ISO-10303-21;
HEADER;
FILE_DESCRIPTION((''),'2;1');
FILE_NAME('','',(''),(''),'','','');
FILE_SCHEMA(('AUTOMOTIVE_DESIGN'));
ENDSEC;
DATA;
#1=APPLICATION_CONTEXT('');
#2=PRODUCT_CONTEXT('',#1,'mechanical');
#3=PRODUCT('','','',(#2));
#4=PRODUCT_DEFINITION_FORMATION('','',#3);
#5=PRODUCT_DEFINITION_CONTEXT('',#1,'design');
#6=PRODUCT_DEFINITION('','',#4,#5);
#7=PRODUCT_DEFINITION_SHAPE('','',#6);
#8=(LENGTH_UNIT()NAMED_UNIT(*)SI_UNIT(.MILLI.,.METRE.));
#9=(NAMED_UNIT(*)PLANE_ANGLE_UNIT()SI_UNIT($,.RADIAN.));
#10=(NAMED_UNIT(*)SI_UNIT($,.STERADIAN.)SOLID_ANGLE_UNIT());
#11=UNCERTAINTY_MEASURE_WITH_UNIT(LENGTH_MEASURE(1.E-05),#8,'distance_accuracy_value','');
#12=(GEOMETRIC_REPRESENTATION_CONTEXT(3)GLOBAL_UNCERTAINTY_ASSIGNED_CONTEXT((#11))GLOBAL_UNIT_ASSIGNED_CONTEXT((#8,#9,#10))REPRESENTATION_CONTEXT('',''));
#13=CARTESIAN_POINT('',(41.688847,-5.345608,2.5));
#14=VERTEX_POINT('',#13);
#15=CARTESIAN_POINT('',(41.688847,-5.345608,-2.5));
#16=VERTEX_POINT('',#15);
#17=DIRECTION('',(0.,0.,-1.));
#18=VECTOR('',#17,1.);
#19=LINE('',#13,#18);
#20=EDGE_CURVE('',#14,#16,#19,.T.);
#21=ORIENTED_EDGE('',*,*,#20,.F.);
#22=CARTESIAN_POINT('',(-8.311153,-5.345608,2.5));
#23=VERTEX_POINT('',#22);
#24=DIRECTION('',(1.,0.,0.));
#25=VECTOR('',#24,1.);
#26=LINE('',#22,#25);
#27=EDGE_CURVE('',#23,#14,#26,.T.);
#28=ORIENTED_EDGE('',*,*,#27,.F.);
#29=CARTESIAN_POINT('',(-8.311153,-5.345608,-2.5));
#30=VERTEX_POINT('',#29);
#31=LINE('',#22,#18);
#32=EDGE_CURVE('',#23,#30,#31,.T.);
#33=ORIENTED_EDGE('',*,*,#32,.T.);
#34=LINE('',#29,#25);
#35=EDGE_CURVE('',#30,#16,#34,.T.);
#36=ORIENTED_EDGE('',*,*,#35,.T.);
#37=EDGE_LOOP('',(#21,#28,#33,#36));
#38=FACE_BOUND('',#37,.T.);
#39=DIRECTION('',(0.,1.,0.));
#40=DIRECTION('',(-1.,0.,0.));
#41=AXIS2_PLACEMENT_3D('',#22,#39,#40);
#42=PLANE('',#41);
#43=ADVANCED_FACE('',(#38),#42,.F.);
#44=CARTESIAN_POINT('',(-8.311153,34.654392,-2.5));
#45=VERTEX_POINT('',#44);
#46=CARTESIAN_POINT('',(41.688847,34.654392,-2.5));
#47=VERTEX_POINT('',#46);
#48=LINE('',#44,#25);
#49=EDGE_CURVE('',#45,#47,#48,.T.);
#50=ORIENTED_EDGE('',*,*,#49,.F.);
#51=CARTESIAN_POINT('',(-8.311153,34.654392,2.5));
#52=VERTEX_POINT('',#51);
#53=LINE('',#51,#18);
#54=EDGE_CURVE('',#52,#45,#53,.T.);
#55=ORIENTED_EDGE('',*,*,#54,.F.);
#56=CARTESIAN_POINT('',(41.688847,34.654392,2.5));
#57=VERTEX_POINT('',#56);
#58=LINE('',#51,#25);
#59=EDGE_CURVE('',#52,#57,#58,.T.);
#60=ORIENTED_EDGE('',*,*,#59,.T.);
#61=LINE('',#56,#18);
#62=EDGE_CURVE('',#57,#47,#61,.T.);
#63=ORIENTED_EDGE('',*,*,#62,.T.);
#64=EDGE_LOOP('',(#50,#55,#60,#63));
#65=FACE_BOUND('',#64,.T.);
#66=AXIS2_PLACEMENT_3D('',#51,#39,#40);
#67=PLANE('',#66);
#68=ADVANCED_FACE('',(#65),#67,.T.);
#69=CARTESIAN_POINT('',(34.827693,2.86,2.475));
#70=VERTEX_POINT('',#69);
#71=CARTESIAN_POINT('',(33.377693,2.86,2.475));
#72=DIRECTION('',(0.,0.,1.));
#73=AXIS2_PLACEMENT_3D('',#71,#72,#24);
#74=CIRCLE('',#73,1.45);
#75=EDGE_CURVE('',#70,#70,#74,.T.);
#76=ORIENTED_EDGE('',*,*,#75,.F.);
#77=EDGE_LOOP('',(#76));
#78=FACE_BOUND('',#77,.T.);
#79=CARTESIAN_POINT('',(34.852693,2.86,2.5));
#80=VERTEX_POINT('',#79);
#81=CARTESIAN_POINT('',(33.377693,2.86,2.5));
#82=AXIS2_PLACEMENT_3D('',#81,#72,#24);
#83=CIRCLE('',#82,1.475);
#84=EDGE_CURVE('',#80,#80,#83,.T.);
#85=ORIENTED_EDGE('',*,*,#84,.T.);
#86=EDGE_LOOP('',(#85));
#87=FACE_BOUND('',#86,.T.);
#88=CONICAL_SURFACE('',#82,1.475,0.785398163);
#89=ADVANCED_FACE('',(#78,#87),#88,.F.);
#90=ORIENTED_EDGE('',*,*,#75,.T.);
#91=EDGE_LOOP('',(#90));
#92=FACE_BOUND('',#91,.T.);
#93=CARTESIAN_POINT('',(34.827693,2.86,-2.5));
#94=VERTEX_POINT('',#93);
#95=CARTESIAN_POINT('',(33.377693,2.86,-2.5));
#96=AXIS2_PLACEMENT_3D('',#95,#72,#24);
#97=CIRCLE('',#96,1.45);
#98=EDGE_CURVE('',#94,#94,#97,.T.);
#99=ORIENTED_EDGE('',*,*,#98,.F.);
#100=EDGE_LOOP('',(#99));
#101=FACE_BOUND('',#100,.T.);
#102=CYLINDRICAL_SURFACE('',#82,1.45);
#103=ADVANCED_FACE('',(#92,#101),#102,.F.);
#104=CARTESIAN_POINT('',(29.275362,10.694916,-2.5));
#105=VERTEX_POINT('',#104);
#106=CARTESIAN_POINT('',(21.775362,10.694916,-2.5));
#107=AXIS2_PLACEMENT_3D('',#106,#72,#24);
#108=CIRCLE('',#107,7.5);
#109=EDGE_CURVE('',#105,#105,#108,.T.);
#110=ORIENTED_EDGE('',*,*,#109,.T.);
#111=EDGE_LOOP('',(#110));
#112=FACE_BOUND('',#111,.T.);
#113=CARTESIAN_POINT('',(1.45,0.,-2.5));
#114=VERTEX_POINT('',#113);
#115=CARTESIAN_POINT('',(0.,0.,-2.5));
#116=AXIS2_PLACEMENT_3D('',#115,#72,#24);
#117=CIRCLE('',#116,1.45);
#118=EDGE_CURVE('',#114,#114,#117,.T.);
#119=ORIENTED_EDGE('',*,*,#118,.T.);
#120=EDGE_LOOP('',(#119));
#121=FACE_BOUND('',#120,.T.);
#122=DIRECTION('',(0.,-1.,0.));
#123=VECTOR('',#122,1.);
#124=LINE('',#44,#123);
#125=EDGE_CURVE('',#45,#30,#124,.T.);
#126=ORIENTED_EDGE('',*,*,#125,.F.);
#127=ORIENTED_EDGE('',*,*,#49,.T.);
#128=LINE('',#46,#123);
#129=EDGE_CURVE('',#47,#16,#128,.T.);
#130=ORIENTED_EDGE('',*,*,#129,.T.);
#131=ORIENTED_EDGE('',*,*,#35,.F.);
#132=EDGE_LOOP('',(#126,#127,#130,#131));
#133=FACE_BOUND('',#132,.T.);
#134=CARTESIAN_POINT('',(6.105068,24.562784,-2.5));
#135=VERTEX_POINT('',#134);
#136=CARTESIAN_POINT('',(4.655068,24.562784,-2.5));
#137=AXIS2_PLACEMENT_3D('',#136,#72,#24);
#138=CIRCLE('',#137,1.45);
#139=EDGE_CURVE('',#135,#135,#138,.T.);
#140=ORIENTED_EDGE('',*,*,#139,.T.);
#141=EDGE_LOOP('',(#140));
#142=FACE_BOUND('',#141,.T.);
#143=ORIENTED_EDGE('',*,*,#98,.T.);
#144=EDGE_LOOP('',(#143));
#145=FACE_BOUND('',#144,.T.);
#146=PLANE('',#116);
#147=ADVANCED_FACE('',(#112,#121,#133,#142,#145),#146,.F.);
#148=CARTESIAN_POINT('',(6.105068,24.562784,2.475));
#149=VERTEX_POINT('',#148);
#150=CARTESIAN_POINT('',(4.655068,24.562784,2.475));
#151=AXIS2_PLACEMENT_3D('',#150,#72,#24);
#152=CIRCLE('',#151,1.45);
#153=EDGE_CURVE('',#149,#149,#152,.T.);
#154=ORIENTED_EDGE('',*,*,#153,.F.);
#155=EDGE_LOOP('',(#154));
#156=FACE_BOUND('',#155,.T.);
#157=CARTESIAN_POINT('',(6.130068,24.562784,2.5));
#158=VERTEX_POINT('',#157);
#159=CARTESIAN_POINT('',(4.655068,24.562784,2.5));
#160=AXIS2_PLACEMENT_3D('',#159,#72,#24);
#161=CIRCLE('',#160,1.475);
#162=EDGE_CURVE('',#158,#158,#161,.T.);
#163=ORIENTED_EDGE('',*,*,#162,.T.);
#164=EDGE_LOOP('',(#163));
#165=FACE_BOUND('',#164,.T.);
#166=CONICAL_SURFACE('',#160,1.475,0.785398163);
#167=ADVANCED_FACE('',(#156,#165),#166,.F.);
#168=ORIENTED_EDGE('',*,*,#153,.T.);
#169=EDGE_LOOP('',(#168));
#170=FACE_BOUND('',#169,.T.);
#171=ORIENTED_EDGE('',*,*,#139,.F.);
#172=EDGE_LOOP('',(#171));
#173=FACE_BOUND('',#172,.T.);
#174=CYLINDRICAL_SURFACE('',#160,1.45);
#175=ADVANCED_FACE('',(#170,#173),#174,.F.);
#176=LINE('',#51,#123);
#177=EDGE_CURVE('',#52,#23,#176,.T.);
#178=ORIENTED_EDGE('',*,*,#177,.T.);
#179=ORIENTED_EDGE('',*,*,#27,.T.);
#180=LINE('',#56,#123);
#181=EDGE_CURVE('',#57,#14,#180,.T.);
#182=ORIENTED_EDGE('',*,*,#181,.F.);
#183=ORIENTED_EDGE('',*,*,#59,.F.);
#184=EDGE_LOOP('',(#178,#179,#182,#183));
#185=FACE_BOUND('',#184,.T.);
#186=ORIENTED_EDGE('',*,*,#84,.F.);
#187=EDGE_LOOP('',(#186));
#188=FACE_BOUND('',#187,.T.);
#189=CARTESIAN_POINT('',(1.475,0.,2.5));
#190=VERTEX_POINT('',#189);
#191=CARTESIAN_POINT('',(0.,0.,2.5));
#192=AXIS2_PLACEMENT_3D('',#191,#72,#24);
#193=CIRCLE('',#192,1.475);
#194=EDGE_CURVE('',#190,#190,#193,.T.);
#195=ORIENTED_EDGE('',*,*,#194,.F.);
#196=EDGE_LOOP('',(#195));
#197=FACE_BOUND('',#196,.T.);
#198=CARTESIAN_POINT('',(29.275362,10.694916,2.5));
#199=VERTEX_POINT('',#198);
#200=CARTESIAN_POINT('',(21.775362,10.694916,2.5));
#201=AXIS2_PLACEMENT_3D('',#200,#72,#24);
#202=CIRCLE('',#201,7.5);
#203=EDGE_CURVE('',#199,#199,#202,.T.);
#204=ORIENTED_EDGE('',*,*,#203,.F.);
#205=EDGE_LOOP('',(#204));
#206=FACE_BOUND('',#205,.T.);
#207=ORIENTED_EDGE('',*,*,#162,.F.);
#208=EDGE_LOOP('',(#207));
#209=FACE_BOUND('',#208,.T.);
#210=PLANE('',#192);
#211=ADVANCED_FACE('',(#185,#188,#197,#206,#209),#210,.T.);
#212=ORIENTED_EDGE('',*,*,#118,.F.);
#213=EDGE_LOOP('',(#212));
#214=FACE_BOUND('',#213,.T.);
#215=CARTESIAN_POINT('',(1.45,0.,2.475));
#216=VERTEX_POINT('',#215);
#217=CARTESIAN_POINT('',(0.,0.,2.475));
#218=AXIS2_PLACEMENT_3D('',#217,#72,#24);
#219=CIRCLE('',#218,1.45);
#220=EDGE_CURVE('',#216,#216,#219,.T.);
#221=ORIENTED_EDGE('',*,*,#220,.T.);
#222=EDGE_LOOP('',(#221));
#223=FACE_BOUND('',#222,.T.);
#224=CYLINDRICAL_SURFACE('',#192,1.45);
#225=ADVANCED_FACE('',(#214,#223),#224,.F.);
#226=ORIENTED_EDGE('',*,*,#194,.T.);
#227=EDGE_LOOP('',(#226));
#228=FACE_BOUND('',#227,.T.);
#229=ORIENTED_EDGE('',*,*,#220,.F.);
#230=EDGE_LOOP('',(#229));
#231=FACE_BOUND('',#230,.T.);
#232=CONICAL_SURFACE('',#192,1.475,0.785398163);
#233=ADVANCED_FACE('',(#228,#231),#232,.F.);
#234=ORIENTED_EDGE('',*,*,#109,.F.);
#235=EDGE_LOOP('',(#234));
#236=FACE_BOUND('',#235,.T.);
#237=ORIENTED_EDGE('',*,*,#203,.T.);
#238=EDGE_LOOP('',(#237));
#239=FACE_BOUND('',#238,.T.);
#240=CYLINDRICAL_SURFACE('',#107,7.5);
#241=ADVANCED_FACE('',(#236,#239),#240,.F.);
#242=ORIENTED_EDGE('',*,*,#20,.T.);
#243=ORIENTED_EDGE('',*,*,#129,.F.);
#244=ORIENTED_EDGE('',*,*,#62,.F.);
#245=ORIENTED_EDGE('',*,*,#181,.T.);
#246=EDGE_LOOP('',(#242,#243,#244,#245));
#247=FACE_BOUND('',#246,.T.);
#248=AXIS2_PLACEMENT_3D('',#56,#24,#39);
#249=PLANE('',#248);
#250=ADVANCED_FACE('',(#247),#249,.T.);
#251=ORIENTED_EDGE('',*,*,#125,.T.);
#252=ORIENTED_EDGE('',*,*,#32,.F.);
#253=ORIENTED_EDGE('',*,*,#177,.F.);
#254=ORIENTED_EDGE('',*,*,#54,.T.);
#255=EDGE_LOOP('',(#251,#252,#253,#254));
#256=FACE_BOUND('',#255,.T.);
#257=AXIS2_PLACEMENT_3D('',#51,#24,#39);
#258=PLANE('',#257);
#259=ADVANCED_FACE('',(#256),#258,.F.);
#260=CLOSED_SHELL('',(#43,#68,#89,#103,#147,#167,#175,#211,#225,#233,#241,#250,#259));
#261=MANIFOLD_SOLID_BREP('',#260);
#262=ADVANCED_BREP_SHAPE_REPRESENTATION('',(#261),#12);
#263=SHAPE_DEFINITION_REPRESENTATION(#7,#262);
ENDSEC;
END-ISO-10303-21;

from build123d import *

# Parameters (mm, degrees)
SKETCH1_W                        = 50
SKETCH1_H                        = 40
BOSS_EXTRUDE1_DEPTH              = 2.5
M2_5_CLEARANCE_HOLE2_D           = 2.9
M2_5_CLEARANCE_HOLE2_CSINK_D     = 2.95
M2_5_CLEARANCE_HOLE2_CSINK_ANGLE = 90
SKETCH4_R                        = 7.5
CUT_EXTRUDE1_DEPTH               = 6


with BuildPart() as part:
    # Sketch1 → Boss-Extrude1 (new body, symmetric)
    with BuildSketch(Plane.XY):
        with Locations((16.688846575, 14.654391813)):
            Rectangle(SKETCH1_W, SKETCH1_H)
    extrude(amount=BOSS_EXTRUDE1_DEPTH, both=True)

    # M2.5 Clearance Hole2 (through all)
    with Locations(Plane.XY.offset(2.5)):
        with Locations((4.655068225, 24.562783633), (33.37769315, 2.86), (0, 0)):
            CounterSinkHole(M2_5_CLEARANCE_HOLE2_D / 2, M2_5_CLEARANCE_HOLE2_CSINK_D / 2, counter_sink_angle=M2_5_CLEARANCE_HOLE2_CSINK_ANGLE)

    # Sketch4 → Cut-Extrude1 (cut, through all)
    with BuildSketch(Plane.XY.offset(2.5)):
        with Locations((21.775361697, 10.694915753)):
            Circle(SKETCH4_R)
    extrude(amount=-CUT_EXTRUDE1_DEPTH, mode=Mode.SUBTRACT)


solid = part.part
